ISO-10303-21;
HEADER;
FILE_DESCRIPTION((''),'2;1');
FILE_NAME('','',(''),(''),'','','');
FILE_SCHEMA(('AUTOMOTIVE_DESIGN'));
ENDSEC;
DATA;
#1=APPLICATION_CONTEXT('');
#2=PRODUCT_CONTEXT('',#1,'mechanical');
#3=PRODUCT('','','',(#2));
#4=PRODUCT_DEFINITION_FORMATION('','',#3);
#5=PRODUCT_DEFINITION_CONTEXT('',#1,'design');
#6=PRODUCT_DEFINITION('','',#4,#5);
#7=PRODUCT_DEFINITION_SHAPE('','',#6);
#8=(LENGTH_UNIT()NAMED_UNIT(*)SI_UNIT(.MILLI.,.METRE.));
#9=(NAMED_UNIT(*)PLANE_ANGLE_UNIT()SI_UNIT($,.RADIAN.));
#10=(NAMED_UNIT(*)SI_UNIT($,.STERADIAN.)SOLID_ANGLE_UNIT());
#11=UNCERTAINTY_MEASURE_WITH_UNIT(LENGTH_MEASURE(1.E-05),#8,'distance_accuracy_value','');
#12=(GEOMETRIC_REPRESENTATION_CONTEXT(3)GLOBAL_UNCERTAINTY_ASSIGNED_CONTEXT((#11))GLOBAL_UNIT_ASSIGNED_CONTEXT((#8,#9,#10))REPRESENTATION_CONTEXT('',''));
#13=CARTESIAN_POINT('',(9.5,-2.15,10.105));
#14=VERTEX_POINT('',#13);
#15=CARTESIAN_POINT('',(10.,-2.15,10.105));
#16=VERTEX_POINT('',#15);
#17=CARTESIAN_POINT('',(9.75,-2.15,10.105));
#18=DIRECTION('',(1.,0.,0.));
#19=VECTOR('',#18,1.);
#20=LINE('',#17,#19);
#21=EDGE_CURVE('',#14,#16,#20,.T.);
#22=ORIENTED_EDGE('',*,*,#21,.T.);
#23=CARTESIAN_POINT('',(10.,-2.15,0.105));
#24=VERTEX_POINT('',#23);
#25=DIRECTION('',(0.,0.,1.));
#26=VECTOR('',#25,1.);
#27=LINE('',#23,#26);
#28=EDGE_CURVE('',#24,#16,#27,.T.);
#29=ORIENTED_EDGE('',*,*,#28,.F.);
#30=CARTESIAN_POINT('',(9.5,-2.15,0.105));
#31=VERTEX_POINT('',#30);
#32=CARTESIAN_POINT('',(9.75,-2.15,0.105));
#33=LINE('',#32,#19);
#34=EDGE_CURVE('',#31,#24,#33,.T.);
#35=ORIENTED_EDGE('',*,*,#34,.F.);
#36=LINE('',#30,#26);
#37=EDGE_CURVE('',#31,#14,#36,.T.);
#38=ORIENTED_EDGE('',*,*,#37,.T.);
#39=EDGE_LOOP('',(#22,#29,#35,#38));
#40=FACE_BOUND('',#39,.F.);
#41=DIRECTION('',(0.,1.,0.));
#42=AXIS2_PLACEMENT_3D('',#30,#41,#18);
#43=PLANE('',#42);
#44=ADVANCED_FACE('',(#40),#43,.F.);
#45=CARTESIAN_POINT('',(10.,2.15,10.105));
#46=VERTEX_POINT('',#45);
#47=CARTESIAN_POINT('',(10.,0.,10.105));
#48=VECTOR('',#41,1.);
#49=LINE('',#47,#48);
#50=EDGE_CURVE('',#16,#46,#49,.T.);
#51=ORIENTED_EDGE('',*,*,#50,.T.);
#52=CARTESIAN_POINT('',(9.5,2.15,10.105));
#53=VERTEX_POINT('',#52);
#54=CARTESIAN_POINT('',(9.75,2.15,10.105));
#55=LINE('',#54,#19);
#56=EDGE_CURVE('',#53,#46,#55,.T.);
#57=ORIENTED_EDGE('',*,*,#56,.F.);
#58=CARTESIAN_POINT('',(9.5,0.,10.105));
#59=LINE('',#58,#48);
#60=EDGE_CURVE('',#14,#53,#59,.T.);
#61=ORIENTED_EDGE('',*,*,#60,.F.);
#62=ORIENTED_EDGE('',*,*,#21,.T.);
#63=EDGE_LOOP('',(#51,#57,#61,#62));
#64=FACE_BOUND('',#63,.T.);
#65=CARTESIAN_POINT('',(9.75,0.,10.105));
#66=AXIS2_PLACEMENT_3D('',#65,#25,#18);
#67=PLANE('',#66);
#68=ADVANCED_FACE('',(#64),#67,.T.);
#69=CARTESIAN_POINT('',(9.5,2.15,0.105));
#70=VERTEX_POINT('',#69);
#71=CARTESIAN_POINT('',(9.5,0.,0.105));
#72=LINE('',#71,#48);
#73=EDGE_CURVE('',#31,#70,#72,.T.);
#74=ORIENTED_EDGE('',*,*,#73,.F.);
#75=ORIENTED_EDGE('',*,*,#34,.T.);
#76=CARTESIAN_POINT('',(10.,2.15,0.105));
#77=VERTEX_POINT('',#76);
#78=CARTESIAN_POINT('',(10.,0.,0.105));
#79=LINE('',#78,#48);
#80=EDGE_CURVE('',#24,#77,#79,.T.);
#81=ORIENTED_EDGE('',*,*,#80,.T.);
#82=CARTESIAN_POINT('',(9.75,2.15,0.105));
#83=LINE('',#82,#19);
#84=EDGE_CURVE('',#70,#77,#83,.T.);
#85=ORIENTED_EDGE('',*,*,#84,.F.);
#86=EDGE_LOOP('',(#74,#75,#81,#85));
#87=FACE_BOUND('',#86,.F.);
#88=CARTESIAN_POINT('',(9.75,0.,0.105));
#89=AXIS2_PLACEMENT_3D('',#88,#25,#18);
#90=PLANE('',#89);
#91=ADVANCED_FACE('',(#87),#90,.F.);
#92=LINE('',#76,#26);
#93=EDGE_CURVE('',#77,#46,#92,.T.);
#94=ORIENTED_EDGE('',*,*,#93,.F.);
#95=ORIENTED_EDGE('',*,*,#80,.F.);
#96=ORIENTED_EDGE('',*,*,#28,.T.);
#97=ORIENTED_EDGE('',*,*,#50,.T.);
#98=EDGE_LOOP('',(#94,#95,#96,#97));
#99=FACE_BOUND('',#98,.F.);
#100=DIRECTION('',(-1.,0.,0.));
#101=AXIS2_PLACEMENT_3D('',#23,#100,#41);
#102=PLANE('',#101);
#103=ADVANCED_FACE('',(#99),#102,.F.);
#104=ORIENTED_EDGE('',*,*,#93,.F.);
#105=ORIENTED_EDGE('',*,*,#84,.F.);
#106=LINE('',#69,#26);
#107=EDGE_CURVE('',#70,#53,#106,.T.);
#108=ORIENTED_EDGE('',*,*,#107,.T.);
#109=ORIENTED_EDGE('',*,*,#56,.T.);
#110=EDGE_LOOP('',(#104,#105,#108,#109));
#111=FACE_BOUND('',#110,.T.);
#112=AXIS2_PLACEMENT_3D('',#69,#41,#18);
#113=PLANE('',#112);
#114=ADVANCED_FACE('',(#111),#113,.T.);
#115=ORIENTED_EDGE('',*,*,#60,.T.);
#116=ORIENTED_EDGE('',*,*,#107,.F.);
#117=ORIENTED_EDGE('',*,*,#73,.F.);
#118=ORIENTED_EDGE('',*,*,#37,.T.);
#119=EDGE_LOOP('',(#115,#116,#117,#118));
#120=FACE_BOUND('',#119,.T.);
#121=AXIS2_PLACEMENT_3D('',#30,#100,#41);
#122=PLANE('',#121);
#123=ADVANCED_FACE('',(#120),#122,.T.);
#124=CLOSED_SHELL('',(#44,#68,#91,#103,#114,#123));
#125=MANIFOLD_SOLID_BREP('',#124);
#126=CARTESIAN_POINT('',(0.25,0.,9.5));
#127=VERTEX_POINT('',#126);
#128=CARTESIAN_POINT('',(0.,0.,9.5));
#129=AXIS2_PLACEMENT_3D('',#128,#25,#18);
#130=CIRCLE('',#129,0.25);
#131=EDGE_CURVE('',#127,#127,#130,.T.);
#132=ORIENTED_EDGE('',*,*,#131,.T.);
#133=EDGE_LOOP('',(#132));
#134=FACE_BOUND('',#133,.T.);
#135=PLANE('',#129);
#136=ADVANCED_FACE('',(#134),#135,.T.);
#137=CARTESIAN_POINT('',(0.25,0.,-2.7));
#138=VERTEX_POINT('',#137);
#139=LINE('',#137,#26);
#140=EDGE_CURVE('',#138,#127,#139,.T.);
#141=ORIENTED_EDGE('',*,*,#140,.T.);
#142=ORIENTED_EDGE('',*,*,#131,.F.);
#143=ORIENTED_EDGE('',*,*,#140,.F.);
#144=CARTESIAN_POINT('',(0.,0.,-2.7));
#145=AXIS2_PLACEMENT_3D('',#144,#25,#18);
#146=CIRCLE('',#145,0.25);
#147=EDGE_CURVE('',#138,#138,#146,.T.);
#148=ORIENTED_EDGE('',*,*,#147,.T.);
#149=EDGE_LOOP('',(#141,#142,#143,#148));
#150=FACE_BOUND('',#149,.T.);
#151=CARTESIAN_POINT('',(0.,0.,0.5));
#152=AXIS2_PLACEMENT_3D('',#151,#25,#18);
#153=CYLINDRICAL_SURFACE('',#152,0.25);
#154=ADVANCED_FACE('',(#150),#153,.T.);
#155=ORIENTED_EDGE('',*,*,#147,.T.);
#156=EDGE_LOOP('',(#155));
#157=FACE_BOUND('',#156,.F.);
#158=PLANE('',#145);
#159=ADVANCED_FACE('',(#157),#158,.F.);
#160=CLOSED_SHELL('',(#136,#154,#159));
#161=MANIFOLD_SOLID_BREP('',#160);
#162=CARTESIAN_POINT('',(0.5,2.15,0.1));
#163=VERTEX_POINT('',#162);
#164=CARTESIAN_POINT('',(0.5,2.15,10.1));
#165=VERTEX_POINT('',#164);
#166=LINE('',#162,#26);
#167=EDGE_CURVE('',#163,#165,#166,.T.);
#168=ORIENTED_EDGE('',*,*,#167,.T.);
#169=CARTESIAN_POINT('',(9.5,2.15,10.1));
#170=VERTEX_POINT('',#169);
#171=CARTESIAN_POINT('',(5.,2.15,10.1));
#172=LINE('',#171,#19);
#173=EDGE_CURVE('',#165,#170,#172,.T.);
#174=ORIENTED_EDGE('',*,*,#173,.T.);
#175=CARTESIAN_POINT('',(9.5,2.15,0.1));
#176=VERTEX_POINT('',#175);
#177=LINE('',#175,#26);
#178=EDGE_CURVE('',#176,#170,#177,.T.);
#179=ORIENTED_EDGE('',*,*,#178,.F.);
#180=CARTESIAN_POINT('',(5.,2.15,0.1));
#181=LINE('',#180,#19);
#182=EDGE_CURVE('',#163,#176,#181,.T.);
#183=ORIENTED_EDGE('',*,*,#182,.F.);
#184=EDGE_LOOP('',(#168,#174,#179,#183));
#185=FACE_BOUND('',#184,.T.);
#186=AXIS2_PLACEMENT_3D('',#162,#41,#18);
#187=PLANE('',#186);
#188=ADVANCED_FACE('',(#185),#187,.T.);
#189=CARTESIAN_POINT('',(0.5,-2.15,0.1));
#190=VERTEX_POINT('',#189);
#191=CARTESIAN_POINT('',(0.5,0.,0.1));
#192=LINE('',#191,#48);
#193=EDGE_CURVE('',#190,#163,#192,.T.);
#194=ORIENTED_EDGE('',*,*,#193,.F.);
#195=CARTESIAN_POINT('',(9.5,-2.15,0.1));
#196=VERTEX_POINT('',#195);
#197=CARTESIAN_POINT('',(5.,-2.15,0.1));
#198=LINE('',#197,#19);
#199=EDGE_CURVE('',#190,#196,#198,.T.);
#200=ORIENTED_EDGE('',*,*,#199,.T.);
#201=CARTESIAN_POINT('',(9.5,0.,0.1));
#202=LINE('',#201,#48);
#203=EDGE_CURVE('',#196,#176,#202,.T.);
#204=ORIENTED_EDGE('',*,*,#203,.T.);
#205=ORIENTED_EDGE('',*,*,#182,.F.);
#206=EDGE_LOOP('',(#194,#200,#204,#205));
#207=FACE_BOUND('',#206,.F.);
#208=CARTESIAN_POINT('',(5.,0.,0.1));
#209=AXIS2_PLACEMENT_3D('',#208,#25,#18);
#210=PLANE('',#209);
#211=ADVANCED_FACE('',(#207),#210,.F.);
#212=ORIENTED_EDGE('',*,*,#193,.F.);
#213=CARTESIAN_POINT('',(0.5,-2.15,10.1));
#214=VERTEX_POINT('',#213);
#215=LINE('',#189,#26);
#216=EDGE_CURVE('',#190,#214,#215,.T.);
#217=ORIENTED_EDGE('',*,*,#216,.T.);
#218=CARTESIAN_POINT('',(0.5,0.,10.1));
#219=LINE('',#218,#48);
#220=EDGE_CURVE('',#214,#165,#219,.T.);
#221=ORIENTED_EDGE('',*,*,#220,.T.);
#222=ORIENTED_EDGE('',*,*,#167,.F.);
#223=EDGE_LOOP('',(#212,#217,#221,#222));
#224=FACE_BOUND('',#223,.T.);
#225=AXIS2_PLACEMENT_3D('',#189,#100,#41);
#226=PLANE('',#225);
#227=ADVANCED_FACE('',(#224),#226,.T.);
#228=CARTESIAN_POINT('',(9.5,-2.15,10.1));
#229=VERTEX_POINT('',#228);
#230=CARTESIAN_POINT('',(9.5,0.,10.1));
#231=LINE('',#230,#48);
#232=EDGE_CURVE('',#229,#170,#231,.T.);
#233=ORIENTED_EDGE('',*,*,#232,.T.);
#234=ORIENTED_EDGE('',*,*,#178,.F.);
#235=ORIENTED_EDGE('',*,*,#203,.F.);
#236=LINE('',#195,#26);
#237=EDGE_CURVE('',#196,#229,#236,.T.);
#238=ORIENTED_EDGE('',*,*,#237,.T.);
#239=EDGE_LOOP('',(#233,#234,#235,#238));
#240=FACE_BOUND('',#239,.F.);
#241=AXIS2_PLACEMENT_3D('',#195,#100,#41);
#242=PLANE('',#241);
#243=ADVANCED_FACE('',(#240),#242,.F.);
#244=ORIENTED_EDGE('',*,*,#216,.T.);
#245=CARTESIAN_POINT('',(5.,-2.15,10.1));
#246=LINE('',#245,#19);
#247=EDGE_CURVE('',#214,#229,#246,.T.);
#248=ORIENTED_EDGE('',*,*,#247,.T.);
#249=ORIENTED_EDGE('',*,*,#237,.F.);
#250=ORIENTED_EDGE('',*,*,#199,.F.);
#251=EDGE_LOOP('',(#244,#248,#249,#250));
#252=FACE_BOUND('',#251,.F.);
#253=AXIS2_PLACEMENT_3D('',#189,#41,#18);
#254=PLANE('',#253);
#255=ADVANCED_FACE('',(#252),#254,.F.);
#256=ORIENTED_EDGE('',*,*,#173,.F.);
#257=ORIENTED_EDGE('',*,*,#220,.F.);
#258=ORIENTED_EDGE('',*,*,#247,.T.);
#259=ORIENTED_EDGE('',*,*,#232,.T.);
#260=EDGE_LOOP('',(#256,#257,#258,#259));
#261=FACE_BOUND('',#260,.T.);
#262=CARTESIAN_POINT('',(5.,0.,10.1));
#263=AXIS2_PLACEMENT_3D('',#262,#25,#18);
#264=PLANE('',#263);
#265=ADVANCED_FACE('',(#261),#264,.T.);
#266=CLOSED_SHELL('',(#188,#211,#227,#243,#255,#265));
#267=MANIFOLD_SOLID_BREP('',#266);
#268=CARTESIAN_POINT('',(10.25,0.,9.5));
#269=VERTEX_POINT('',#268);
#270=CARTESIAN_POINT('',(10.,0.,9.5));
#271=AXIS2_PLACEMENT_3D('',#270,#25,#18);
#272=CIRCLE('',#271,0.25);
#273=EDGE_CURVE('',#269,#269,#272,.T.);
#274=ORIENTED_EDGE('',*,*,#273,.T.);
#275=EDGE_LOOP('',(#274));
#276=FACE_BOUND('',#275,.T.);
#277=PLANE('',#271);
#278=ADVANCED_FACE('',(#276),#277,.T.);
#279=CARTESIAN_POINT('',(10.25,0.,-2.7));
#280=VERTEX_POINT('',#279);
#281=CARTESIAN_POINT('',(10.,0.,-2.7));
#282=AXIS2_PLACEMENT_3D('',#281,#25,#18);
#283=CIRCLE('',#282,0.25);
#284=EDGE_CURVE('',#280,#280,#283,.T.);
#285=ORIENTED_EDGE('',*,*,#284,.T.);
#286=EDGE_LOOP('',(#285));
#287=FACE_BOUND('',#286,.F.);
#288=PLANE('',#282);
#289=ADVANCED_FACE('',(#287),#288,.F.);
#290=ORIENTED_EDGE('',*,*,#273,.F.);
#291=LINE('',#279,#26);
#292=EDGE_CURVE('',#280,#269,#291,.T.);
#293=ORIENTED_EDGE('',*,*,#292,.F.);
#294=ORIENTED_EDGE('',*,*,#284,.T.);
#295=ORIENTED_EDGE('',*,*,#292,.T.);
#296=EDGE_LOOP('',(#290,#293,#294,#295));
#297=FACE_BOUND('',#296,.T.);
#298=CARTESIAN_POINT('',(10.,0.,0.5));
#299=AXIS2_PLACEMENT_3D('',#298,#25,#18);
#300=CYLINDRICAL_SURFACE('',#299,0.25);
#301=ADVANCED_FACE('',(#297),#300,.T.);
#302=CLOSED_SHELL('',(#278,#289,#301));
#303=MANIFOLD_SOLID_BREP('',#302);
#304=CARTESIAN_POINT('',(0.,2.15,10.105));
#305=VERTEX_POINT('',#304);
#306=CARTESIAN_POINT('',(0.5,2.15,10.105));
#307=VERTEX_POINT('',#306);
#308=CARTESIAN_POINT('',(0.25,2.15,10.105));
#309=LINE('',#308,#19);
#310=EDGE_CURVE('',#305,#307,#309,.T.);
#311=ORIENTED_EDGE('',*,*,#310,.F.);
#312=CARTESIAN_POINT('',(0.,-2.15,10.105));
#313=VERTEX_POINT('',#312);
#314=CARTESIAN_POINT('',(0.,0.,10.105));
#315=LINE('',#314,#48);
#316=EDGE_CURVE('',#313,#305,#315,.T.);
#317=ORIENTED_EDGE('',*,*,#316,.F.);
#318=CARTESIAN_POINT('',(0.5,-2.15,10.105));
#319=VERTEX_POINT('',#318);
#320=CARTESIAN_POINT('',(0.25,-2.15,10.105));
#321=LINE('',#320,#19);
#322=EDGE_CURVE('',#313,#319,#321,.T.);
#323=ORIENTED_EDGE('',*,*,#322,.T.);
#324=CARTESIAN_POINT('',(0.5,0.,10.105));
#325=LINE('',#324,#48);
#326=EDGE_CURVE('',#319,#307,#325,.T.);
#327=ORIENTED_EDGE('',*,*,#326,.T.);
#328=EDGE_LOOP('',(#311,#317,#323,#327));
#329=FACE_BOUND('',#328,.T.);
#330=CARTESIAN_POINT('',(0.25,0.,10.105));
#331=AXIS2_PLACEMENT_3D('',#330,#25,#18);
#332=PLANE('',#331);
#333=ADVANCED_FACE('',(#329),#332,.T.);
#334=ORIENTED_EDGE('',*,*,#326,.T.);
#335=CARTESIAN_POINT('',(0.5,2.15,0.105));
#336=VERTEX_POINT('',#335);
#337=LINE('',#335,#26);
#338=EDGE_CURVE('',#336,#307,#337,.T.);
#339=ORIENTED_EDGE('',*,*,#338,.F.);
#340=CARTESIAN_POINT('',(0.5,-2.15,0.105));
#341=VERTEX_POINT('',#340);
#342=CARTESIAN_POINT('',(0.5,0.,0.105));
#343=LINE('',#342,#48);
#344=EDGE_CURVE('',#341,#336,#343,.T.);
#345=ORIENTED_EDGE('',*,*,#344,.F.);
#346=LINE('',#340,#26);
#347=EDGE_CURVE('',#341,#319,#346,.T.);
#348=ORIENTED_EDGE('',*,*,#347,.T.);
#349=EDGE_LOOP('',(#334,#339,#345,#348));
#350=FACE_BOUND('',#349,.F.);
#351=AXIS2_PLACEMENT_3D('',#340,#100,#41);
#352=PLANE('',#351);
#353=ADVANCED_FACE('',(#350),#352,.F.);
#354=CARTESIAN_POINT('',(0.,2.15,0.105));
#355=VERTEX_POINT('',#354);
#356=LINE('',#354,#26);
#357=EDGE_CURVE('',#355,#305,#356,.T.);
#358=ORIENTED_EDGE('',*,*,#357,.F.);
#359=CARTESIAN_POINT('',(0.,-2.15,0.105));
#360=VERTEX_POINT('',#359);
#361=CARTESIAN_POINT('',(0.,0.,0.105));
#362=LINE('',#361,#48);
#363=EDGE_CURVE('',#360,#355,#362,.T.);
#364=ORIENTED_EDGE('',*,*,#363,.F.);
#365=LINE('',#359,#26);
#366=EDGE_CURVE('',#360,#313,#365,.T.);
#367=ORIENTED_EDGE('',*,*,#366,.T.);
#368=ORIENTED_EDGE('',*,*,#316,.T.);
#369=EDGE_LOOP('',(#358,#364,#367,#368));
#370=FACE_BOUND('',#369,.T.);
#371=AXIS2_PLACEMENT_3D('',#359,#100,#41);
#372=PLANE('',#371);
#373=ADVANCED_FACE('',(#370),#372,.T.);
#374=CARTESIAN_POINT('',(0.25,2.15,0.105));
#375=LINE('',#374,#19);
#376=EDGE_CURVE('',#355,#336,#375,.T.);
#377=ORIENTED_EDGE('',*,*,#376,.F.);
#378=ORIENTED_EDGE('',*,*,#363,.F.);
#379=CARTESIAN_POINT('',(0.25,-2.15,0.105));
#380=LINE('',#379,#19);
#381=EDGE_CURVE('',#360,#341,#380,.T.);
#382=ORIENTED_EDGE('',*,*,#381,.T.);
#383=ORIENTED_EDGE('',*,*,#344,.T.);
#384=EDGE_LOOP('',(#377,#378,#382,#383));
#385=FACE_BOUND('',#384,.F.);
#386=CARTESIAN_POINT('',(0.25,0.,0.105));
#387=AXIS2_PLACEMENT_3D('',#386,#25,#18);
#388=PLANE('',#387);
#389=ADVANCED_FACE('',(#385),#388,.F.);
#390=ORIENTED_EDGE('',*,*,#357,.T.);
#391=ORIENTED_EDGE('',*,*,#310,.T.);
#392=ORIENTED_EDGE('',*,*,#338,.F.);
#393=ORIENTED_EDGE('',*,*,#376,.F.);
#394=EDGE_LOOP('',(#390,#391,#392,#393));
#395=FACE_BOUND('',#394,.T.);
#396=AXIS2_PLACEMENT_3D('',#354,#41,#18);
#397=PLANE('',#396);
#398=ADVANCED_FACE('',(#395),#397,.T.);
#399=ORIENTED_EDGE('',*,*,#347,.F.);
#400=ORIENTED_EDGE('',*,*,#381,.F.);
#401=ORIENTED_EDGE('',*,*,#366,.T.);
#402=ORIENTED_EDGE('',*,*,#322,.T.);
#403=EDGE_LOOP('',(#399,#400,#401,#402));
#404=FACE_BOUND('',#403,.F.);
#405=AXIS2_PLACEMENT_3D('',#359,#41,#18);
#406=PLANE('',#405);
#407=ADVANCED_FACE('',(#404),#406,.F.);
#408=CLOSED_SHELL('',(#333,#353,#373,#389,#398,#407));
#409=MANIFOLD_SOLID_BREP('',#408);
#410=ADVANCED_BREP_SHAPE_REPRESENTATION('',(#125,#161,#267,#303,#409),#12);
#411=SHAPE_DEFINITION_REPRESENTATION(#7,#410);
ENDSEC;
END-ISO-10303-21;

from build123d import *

# Parameters (mm, degrees)
SKETCH_W          = 9
SKETCH_H          = 4.3
PAD_DEPTH         = 10
SKETCH001_R       = 0.25
PAD001_DEPTH      = 9
PAD001_DEPTH_BACK = 3.2
SKETCH002_W       = 0.5
SKETCH002_H       = 4.3
PAD002_DEPTH      = 10


with BuildPart() as pad:
    # Sketch → Pad (new body)
    with BuildSketch(Plane.XY.offset(0.1)):
        with Locations((5, 0)):
            Rectangle(SKETCH_W, SKETCH_H)
    extrude(amount=PAD_DEPTH)


with BuildPart() as pad001:
    # Sketch001 → Pad001 (new body, two sides)
    with BuildSketch(Plane.XY.offset(0.5)) as pad001_sk:
        Circle(SKETCH001_R)
        with Locations((10, 0)):
            Circle(SKETCH001_R)
    extrude(amount=PAD001_DEPTH)
    extrude(pad001_sk.sketch, amount=-PAD001_DEPTH_BACK)


with BuildPart() as pad002:
    # Sketch002 → Pad002 (new body)
    with BuildSketch(Plane.XY.offset(0.105)):
        with Locations((0.25, 0)):
            Rectangle(SKETCH002_W, SKETCH002_H)
        with Locations((9.75, 0)):
            Rectangle(SKETCH002_W, SKETCH002_H)
    extrude(amount=PAD002_DEPTH)


solid = Compound([pad.part, pad001.part, pad002.part])
